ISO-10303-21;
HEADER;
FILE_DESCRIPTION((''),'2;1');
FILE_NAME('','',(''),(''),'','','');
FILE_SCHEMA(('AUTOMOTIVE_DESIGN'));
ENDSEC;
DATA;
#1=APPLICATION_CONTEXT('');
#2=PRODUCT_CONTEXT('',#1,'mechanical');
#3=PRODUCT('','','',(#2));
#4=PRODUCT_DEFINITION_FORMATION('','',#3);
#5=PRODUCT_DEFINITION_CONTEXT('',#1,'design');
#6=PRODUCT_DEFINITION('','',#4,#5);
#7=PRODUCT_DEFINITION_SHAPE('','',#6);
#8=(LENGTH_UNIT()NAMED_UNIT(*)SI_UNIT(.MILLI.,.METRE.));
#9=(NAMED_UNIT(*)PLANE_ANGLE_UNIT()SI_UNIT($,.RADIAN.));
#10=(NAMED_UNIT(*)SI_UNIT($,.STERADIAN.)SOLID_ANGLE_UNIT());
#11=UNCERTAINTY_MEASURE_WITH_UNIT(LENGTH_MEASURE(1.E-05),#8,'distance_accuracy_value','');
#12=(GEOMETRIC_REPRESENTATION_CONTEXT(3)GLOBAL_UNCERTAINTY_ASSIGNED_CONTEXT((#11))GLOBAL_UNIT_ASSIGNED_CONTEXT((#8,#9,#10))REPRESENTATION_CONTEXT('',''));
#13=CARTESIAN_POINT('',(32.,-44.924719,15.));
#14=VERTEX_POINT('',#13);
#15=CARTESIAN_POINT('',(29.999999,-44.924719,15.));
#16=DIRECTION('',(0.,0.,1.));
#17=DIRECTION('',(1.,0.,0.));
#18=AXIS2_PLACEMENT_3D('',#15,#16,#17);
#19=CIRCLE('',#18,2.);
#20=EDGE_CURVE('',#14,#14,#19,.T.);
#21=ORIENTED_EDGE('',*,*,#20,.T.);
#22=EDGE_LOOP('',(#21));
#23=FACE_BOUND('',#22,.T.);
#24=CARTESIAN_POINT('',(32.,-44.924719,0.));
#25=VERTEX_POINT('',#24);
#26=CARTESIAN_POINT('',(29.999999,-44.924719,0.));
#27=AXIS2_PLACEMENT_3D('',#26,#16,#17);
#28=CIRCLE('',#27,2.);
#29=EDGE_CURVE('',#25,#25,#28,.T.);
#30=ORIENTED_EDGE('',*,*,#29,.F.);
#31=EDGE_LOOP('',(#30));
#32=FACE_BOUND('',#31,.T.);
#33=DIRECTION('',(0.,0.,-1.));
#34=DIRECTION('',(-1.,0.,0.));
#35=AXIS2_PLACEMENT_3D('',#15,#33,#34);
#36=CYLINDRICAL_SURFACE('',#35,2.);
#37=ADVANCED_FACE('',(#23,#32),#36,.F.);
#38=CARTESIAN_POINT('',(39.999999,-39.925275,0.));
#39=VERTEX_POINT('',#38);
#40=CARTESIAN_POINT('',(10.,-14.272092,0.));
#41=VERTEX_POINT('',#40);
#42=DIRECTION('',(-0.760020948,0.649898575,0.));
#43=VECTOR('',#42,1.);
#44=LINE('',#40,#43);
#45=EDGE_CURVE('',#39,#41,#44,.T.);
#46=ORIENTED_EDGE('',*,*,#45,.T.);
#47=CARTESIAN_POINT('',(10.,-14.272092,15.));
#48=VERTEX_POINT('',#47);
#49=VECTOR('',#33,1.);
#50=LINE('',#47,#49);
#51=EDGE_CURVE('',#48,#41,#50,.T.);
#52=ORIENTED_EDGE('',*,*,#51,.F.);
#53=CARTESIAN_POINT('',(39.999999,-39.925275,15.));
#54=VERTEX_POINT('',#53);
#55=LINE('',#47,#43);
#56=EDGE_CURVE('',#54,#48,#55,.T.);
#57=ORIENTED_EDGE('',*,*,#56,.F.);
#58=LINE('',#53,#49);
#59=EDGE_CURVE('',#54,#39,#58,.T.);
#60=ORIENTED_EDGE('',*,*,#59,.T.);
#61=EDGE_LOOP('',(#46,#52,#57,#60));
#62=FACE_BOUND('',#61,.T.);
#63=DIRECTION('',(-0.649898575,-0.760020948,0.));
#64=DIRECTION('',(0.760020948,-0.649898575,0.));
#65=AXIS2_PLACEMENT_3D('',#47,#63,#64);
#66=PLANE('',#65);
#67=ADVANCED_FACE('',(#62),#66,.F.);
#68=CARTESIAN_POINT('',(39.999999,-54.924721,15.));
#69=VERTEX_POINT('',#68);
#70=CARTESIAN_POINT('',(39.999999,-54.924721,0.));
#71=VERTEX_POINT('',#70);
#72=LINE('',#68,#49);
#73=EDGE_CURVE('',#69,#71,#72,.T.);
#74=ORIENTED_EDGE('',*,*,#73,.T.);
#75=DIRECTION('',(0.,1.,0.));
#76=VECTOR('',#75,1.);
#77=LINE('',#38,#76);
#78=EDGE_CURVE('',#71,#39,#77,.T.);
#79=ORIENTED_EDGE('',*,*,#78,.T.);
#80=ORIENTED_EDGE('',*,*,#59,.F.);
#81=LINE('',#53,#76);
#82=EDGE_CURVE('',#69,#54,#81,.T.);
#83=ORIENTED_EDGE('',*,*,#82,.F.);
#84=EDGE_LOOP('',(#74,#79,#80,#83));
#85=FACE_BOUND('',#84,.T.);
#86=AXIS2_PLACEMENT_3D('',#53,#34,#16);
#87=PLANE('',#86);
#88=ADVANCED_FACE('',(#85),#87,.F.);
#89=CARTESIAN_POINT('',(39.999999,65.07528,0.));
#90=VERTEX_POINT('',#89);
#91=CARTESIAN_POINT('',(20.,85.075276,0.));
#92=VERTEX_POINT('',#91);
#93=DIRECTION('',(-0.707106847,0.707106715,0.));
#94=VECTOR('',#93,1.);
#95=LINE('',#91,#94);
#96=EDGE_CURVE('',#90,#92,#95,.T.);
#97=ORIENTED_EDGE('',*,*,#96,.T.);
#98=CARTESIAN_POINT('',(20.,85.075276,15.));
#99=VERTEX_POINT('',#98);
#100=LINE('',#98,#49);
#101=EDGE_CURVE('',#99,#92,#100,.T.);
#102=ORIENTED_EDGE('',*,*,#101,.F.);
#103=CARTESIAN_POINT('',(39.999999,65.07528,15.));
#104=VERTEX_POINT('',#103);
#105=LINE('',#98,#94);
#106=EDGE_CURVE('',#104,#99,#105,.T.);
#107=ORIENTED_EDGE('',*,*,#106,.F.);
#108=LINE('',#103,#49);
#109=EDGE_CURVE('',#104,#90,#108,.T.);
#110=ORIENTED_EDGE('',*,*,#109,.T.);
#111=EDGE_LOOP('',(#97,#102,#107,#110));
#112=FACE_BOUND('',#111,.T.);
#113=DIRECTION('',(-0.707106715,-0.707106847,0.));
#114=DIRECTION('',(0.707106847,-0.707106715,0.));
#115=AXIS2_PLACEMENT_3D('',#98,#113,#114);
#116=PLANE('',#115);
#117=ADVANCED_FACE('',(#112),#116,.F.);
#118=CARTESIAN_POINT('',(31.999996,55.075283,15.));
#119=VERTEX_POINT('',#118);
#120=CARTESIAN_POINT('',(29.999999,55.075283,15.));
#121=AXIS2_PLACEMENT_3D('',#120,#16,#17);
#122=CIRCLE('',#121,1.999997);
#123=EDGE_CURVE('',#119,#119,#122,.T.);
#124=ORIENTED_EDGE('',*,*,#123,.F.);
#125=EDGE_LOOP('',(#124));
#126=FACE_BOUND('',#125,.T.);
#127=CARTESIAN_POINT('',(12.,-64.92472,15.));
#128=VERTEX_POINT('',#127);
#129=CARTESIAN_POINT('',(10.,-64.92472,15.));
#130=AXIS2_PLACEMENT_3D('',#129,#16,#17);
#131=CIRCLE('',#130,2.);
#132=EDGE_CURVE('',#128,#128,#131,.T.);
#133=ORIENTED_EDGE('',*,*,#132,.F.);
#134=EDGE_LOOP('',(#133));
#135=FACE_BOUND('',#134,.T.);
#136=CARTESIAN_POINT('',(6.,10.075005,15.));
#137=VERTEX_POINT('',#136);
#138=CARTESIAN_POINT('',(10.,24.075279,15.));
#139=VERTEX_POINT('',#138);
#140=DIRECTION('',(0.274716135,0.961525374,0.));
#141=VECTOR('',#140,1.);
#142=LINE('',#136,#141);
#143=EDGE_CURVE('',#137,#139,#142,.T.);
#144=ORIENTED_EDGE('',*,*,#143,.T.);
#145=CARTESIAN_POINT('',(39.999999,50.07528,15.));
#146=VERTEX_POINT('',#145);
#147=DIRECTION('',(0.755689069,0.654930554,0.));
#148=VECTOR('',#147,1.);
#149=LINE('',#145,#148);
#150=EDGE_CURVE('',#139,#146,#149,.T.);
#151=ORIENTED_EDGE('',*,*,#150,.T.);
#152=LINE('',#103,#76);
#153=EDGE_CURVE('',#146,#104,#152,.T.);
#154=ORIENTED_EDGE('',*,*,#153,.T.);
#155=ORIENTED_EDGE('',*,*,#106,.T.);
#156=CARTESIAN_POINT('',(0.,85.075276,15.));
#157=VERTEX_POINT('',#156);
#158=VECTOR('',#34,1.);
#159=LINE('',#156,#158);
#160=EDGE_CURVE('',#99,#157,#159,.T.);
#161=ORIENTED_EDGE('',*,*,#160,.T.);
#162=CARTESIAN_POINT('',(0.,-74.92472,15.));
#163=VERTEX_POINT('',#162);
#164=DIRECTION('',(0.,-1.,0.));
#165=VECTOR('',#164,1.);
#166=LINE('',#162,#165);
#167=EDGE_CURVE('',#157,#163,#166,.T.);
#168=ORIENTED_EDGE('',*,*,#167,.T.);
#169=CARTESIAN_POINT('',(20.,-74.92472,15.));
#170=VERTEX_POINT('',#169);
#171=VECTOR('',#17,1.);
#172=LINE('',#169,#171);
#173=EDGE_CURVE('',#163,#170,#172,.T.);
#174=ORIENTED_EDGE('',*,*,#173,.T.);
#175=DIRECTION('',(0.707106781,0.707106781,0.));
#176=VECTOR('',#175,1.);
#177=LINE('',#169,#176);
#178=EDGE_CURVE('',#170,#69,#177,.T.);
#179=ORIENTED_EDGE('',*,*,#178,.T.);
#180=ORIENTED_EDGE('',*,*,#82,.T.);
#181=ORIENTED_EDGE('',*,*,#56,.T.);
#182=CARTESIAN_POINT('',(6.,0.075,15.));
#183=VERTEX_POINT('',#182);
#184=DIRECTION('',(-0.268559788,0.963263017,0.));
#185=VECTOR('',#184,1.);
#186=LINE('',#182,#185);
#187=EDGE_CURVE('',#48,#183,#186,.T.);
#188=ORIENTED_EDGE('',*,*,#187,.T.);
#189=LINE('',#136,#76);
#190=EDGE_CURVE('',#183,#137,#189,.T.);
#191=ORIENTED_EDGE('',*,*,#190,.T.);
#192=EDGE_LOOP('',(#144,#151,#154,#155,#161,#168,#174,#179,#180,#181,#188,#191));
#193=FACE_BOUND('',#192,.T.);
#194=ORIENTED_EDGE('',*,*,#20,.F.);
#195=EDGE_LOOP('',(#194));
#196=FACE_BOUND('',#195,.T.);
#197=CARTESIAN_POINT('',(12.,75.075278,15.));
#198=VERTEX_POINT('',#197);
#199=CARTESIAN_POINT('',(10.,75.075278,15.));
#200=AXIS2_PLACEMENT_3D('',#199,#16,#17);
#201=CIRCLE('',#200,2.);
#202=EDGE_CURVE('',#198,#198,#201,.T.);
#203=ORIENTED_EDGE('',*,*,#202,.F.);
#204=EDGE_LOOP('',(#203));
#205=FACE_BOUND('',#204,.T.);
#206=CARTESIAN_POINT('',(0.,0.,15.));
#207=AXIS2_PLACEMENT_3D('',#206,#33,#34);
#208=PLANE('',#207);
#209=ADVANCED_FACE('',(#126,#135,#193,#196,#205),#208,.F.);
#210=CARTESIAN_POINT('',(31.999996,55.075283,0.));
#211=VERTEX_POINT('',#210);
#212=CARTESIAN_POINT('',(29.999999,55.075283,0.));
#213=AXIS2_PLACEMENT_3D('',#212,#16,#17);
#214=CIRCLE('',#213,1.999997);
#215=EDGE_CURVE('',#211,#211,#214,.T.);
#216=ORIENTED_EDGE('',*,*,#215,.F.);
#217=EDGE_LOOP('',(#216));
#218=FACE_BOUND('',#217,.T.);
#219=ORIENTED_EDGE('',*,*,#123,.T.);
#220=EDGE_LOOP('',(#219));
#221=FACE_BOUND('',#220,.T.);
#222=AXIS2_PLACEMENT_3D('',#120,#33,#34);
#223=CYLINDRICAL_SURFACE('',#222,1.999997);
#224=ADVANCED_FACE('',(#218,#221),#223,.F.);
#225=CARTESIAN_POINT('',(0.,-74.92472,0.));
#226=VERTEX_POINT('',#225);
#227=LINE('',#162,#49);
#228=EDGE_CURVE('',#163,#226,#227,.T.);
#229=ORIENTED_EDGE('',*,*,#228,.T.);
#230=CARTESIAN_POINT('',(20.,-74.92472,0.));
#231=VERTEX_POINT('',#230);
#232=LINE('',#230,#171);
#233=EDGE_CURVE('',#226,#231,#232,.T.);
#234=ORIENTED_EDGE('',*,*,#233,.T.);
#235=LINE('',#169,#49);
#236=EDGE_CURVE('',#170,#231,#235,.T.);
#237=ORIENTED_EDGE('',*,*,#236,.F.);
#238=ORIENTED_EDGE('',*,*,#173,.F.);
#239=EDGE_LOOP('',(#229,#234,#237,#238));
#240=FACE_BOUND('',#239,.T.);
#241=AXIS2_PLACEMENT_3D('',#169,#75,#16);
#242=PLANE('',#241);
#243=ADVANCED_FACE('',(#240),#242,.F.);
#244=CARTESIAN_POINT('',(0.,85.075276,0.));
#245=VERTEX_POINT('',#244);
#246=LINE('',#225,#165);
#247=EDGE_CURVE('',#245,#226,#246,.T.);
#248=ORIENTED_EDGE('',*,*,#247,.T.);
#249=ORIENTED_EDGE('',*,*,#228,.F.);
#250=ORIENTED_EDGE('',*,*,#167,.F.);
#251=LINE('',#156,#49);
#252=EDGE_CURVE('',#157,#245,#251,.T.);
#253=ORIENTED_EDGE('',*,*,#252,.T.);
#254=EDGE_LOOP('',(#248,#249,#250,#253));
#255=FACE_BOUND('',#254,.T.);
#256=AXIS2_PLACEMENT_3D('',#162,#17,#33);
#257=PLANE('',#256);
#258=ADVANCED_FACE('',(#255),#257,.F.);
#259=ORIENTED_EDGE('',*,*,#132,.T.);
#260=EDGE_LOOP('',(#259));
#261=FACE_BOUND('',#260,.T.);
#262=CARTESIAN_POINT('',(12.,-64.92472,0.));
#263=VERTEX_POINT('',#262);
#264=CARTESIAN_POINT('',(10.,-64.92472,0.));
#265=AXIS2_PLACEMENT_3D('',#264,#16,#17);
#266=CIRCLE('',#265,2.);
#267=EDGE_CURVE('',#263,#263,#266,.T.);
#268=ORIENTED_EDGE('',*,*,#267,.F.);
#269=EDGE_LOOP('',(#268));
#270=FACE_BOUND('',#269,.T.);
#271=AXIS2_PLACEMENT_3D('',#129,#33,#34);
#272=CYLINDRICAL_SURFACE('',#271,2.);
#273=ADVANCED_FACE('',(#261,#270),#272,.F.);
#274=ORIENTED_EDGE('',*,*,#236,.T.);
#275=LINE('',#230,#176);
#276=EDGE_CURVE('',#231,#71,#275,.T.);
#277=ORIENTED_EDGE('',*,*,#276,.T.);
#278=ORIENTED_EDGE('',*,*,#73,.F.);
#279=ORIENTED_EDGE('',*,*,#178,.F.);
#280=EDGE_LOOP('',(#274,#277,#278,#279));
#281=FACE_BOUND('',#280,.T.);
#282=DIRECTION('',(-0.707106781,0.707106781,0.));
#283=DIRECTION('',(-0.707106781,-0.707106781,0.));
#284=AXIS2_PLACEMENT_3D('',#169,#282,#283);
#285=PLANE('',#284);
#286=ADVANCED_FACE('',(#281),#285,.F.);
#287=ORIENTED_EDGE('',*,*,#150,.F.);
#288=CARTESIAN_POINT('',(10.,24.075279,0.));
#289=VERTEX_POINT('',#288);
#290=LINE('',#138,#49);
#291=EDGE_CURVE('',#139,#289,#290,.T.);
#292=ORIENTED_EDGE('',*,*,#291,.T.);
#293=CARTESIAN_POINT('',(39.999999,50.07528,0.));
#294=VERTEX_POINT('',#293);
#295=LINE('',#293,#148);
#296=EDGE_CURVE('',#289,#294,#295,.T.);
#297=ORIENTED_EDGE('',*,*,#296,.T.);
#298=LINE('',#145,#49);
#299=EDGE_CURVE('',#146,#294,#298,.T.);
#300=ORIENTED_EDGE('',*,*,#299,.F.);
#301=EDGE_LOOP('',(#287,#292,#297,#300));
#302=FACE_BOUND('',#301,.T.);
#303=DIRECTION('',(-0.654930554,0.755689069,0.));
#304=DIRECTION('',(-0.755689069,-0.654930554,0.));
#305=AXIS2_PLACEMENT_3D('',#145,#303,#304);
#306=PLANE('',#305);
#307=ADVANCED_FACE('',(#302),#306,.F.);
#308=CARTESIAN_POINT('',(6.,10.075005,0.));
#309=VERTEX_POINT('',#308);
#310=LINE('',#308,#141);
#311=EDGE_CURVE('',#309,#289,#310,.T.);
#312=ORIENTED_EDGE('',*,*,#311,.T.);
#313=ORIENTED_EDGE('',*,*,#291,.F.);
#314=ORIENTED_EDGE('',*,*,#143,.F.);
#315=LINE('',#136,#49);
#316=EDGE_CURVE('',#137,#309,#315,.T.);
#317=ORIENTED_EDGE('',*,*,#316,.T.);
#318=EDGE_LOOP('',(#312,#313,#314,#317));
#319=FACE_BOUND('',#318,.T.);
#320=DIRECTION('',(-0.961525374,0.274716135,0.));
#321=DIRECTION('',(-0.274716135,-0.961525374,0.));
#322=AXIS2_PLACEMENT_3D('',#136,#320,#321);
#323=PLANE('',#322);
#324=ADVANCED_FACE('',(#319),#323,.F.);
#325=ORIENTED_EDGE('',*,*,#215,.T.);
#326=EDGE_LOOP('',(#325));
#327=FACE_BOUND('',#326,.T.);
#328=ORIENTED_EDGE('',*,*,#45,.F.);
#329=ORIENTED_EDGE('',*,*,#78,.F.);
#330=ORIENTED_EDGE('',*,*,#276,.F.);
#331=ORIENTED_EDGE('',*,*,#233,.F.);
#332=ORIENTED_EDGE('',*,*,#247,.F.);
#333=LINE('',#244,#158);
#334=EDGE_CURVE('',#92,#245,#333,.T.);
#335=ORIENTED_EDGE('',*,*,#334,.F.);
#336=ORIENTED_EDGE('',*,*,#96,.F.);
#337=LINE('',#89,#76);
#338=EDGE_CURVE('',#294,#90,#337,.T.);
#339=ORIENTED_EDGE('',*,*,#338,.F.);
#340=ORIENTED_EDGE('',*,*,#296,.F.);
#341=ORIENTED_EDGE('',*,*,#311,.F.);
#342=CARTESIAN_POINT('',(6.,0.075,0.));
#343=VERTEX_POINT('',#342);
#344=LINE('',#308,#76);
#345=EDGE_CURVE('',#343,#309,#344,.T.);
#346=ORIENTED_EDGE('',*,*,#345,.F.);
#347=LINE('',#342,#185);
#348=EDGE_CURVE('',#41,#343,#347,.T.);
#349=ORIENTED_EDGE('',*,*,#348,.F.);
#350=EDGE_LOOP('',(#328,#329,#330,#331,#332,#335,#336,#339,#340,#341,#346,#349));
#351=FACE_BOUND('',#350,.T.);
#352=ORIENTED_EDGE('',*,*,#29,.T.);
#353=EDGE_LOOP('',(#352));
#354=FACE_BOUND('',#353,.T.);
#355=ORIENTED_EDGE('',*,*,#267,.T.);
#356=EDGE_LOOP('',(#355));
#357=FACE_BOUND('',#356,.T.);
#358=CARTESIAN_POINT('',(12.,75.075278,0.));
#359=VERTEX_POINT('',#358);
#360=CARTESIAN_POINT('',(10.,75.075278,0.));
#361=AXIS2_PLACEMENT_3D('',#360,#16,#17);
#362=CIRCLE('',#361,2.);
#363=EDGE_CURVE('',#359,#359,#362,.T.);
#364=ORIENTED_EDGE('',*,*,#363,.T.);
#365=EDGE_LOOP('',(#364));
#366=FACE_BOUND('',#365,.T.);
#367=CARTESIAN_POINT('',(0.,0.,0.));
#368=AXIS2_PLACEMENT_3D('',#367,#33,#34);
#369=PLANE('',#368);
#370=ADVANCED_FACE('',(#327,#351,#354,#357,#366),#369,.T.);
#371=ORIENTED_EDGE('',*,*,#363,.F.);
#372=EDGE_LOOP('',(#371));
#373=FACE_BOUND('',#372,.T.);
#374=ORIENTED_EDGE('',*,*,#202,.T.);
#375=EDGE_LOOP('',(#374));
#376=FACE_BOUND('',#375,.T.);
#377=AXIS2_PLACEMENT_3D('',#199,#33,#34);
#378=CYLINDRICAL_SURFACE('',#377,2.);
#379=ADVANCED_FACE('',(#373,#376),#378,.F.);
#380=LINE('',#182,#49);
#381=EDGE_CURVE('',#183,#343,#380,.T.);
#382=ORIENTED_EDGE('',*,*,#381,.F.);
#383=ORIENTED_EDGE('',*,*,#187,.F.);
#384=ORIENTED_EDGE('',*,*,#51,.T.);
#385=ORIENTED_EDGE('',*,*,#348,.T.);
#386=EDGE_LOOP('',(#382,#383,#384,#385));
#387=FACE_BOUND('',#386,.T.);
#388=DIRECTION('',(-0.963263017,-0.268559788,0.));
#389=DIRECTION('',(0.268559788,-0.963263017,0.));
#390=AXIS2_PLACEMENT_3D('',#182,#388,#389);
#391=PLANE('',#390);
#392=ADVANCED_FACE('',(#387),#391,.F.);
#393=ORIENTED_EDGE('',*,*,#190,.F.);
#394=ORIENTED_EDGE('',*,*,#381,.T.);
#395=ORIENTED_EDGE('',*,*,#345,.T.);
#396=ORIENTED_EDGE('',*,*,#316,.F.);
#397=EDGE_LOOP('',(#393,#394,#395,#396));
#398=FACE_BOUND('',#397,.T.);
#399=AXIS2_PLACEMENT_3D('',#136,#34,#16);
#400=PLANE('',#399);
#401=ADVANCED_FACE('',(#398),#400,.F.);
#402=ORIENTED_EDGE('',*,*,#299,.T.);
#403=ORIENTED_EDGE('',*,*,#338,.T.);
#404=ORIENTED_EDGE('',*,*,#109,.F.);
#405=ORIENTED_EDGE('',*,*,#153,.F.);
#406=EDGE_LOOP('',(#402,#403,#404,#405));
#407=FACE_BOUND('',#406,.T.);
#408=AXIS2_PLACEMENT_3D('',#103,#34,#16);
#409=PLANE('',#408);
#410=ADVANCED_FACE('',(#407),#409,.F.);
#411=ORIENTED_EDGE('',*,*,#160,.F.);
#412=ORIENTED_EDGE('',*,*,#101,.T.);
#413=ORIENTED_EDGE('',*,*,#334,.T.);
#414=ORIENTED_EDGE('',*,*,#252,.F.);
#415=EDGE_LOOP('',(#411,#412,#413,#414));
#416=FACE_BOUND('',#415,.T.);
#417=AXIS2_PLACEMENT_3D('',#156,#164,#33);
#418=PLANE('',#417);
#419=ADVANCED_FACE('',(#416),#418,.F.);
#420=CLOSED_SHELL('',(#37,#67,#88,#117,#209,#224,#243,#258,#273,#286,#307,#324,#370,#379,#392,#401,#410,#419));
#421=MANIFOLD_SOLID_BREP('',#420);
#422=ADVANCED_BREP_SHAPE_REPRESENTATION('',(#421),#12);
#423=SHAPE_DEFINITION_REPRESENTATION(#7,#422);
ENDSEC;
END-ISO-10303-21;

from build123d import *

# Parameters (mm, degrees)
ESBO_O1_R                = 2.000000328
ESBO_O1_R_2              = 1.999996603
ESBO_O1_R_3              = 1.999999862
RESSALTO_EXTRUS_O1_DEPTH = 15


with BuildPart() as part:
    # Esboço1 → Ressalto-extrusão1 (new body)
    with BuildSketch(Plane.XY):
        Polygon((0, 85.075276285), (19.999999553, 85.075276285), (39.999999106, 65.075280458), (39.999999106, 50.075279862), (9.999999776, 24.075279325), (6.000000052, 10.075005084), (6.000000052, 0.07499972), (9.999999776, -14.272091597), (39.999999106, -39.925275058), (39.999999106, -54.924720585), (19.999999553, -74.924720138), (0, -74.924720138), align=None)
        with Locations((9.999999776, 75.075278372)):
            Circle(ESBO_O1_R, mode=Mode.SUBTRACT)
        with Locations((29.999999329, 55.075282544)):
            Circle(ESBO_O1_R_2, mode=Mode.SUBTRACT)
        with Locations((29.999999329, -44.924718946)):
            Circle(ESBO_O1_R, mode=Mode.SUBTRACT)
        with Locations((9.999999776, -64.924719896)):
            Circle(ESBO_O1_R_3, mode=Mode.SUBTRACT)
    extrude(amount=RESSALTO_EXTRUS_O1_DEPTH)


solid = part.part
